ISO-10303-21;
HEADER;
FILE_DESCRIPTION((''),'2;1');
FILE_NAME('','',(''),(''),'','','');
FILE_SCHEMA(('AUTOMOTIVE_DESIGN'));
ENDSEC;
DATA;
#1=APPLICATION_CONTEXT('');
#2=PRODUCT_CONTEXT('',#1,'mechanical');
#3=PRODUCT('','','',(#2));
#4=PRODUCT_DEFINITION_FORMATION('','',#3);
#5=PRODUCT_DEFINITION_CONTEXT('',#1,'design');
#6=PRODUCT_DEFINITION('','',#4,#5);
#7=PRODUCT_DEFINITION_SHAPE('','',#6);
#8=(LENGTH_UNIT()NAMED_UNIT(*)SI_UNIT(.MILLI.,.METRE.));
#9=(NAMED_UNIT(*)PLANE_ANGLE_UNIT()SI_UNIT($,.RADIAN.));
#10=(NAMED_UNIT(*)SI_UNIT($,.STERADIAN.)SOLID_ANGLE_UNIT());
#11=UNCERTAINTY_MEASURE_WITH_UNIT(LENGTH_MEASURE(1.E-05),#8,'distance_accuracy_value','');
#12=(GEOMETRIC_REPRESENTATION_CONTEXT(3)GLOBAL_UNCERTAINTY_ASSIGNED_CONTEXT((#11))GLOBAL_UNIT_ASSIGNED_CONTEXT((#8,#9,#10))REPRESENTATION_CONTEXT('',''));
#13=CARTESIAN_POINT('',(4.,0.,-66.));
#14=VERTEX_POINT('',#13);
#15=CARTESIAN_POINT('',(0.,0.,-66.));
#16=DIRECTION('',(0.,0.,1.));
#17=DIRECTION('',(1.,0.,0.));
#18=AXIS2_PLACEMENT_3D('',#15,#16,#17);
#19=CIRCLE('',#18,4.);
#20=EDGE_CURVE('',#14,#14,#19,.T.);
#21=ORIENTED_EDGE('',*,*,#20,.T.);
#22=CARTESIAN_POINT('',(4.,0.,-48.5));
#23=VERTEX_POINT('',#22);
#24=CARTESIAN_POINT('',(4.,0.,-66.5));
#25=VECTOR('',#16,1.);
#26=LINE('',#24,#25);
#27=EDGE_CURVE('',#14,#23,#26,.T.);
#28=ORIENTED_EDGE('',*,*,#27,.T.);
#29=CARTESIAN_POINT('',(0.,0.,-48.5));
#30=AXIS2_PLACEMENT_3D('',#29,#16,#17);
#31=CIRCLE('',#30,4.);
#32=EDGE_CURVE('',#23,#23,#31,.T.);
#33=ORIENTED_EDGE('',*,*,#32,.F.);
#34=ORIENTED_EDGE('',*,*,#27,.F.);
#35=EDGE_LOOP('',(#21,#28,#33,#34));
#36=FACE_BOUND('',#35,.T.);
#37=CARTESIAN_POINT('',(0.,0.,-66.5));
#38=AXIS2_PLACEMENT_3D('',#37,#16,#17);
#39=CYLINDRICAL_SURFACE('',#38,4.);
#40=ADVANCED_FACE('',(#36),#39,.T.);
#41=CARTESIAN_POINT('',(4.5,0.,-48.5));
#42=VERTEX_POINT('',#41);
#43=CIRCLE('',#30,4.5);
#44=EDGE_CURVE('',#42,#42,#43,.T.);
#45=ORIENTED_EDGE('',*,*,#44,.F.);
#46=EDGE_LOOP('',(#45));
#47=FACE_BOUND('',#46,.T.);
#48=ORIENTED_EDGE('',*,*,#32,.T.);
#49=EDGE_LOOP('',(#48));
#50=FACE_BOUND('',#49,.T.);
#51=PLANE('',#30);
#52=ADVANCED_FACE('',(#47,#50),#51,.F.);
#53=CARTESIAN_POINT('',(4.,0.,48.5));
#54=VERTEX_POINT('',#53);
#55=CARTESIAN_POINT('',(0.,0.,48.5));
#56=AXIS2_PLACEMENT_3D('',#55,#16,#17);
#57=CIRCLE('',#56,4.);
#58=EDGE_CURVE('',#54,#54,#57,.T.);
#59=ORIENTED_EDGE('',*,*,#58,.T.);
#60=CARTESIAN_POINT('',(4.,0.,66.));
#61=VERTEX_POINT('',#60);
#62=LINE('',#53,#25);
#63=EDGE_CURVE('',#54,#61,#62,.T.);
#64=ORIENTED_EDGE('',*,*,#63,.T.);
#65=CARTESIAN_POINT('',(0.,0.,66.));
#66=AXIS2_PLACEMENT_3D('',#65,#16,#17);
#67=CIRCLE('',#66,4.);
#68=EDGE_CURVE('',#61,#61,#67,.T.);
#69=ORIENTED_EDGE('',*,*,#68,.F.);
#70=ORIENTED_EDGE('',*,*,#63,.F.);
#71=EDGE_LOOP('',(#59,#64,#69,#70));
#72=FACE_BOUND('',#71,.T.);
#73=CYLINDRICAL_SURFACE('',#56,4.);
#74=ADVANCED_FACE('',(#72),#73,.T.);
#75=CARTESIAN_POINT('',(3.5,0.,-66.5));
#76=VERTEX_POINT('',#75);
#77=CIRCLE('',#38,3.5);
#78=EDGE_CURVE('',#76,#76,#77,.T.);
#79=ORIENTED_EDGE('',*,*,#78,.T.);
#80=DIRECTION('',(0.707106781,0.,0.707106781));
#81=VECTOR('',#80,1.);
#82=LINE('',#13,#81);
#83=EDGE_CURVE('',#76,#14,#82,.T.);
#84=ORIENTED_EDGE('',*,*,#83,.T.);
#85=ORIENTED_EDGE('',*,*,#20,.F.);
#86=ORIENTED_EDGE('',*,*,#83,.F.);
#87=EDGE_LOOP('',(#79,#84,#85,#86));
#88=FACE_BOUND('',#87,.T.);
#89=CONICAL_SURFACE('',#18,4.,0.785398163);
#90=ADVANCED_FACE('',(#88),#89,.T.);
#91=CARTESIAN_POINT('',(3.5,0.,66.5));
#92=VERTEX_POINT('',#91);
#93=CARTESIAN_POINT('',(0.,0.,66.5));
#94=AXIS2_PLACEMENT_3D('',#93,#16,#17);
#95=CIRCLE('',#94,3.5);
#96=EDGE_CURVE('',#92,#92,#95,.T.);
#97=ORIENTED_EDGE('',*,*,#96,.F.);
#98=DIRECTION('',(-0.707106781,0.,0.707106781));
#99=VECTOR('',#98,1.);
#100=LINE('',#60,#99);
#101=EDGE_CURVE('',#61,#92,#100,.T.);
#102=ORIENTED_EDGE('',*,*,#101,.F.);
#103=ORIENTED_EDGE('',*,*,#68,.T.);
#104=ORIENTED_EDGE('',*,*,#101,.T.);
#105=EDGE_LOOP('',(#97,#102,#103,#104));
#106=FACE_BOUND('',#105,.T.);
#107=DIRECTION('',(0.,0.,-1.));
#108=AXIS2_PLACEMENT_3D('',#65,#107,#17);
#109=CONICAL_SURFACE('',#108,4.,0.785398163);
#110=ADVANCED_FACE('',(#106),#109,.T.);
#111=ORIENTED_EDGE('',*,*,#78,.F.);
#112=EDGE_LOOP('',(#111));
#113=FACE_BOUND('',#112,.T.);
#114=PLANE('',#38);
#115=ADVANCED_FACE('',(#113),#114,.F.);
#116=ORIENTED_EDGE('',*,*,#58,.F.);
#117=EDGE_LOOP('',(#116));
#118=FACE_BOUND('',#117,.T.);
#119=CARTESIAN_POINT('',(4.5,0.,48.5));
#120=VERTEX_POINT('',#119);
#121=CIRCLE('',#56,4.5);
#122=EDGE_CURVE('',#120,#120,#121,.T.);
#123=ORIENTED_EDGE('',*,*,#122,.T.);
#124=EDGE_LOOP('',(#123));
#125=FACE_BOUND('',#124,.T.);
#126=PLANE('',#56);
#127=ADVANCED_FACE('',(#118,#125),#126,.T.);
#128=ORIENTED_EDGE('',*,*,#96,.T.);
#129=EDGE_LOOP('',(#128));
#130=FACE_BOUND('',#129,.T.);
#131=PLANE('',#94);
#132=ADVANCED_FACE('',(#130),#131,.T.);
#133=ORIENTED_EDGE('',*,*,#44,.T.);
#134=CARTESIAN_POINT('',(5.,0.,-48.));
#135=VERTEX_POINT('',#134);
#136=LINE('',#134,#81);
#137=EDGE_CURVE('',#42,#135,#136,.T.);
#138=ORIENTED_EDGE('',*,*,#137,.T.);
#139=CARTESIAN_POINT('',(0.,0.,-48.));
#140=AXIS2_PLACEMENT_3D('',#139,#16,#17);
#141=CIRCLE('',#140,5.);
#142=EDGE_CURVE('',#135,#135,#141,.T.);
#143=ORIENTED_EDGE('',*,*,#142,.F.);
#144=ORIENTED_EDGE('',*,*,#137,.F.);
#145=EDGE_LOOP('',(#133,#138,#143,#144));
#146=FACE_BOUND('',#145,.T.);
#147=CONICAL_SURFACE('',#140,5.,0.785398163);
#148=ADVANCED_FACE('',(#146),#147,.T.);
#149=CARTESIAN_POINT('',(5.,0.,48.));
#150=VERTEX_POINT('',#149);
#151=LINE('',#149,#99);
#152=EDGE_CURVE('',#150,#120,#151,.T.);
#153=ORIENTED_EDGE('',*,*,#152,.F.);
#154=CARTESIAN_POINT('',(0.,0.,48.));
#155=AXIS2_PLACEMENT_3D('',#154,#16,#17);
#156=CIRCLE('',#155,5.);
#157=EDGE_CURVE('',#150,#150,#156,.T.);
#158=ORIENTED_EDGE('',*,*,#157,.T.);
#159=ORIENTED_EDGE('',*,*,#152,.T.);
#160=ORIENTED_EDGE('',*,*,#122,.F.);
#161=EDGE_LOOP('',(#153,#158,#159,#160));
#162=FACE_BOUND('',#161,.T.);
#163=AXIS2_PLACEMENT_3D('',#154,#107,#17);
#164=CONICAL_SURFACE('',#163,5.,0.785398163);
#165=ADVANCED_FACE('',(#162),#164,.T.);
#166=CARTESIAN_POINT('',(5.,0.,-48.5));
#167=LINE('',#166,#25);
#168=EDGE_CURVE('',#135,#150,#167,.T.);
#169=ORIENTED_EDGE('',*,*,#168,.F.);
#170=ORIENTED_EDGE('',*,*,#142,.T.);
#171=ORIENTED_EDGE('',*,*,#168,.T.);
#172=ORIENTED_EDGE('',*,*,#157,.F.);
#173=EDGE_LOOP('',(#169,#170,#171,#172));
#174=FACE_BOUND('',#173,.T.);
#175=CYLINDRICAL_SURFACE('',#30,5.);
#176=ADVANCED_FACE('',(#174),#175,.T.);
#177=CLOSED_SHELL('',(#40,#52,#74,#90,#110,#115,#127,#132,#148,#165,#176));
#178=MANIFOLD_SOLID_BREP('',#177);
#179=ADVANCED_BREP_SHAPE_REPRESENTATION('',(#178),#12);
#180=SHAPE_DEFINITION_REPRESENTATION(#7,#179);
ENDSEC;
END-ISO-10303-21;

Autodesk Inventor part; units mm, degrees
ref_plane "YZ Plane" through (0, 0, 0) normal (1, 0, 0) x (0, 1, 0)
ref_plane "XZ Plane" through (0, 0, 0) normal (0, 1, 0) x (-1, 0, 0)
ref_plane "XY Plane" through (0, 0, 0) normal (0, 0, 1) x (1, 0, 0)
sketch "Sketch1" plane through (0, 0, 0) normal (0, 1, 0) x (-1, 0, 0)
  line L0 (1, 0) -> (-6, 0) projected
  line L1 (0, -93.1) -> (0, 93.1) projected
  line L2 (0, -66.5) -> (-4, -66.5)
  line L3 (-4, -66.5) -> (-4, -48.5)
  line L4 (-4, -48.5) -> (-5, -48.5)
  line L5 (-5, -48.5) -> (-5, 48.5)
  line L6 (-5, 48.5) -> (-4, 48.5)
  line L7 (-4, 48.5) -> (-4, 66.5)
  line L8 (-4, 66.5) -> (0, 66.5)
  dimension "d1" = 18
  dimension "d2" = 8
  dimension "d3" = 10
  dimension "d5" = 8
  dimension "d8" = 18
  dimension "d9" = 97
revolve "Revolution1" add sketch "Sketch1" angle 360 about axis through (0, 0, -10) along (0, 0, 1)
chamfer "Chamfer1" distance 0.5 angle 45 4 edges at (-4, 0, -66.5) (-4, 0, 66.5) (-5, 0, 48.5) (-5, 0, -48.5)
thread "Thread1" size "M8x1.25" class "6g" standard "ANSI Metric M Profile" full length
thread "Thread2" size "M8x1.25" class "6g" standard "ANSI Metric M Profile" full length
equation "\"d5\" = d2"
equation "\"d8\" = d1"
properties part number "Rear Wheel Axle"
